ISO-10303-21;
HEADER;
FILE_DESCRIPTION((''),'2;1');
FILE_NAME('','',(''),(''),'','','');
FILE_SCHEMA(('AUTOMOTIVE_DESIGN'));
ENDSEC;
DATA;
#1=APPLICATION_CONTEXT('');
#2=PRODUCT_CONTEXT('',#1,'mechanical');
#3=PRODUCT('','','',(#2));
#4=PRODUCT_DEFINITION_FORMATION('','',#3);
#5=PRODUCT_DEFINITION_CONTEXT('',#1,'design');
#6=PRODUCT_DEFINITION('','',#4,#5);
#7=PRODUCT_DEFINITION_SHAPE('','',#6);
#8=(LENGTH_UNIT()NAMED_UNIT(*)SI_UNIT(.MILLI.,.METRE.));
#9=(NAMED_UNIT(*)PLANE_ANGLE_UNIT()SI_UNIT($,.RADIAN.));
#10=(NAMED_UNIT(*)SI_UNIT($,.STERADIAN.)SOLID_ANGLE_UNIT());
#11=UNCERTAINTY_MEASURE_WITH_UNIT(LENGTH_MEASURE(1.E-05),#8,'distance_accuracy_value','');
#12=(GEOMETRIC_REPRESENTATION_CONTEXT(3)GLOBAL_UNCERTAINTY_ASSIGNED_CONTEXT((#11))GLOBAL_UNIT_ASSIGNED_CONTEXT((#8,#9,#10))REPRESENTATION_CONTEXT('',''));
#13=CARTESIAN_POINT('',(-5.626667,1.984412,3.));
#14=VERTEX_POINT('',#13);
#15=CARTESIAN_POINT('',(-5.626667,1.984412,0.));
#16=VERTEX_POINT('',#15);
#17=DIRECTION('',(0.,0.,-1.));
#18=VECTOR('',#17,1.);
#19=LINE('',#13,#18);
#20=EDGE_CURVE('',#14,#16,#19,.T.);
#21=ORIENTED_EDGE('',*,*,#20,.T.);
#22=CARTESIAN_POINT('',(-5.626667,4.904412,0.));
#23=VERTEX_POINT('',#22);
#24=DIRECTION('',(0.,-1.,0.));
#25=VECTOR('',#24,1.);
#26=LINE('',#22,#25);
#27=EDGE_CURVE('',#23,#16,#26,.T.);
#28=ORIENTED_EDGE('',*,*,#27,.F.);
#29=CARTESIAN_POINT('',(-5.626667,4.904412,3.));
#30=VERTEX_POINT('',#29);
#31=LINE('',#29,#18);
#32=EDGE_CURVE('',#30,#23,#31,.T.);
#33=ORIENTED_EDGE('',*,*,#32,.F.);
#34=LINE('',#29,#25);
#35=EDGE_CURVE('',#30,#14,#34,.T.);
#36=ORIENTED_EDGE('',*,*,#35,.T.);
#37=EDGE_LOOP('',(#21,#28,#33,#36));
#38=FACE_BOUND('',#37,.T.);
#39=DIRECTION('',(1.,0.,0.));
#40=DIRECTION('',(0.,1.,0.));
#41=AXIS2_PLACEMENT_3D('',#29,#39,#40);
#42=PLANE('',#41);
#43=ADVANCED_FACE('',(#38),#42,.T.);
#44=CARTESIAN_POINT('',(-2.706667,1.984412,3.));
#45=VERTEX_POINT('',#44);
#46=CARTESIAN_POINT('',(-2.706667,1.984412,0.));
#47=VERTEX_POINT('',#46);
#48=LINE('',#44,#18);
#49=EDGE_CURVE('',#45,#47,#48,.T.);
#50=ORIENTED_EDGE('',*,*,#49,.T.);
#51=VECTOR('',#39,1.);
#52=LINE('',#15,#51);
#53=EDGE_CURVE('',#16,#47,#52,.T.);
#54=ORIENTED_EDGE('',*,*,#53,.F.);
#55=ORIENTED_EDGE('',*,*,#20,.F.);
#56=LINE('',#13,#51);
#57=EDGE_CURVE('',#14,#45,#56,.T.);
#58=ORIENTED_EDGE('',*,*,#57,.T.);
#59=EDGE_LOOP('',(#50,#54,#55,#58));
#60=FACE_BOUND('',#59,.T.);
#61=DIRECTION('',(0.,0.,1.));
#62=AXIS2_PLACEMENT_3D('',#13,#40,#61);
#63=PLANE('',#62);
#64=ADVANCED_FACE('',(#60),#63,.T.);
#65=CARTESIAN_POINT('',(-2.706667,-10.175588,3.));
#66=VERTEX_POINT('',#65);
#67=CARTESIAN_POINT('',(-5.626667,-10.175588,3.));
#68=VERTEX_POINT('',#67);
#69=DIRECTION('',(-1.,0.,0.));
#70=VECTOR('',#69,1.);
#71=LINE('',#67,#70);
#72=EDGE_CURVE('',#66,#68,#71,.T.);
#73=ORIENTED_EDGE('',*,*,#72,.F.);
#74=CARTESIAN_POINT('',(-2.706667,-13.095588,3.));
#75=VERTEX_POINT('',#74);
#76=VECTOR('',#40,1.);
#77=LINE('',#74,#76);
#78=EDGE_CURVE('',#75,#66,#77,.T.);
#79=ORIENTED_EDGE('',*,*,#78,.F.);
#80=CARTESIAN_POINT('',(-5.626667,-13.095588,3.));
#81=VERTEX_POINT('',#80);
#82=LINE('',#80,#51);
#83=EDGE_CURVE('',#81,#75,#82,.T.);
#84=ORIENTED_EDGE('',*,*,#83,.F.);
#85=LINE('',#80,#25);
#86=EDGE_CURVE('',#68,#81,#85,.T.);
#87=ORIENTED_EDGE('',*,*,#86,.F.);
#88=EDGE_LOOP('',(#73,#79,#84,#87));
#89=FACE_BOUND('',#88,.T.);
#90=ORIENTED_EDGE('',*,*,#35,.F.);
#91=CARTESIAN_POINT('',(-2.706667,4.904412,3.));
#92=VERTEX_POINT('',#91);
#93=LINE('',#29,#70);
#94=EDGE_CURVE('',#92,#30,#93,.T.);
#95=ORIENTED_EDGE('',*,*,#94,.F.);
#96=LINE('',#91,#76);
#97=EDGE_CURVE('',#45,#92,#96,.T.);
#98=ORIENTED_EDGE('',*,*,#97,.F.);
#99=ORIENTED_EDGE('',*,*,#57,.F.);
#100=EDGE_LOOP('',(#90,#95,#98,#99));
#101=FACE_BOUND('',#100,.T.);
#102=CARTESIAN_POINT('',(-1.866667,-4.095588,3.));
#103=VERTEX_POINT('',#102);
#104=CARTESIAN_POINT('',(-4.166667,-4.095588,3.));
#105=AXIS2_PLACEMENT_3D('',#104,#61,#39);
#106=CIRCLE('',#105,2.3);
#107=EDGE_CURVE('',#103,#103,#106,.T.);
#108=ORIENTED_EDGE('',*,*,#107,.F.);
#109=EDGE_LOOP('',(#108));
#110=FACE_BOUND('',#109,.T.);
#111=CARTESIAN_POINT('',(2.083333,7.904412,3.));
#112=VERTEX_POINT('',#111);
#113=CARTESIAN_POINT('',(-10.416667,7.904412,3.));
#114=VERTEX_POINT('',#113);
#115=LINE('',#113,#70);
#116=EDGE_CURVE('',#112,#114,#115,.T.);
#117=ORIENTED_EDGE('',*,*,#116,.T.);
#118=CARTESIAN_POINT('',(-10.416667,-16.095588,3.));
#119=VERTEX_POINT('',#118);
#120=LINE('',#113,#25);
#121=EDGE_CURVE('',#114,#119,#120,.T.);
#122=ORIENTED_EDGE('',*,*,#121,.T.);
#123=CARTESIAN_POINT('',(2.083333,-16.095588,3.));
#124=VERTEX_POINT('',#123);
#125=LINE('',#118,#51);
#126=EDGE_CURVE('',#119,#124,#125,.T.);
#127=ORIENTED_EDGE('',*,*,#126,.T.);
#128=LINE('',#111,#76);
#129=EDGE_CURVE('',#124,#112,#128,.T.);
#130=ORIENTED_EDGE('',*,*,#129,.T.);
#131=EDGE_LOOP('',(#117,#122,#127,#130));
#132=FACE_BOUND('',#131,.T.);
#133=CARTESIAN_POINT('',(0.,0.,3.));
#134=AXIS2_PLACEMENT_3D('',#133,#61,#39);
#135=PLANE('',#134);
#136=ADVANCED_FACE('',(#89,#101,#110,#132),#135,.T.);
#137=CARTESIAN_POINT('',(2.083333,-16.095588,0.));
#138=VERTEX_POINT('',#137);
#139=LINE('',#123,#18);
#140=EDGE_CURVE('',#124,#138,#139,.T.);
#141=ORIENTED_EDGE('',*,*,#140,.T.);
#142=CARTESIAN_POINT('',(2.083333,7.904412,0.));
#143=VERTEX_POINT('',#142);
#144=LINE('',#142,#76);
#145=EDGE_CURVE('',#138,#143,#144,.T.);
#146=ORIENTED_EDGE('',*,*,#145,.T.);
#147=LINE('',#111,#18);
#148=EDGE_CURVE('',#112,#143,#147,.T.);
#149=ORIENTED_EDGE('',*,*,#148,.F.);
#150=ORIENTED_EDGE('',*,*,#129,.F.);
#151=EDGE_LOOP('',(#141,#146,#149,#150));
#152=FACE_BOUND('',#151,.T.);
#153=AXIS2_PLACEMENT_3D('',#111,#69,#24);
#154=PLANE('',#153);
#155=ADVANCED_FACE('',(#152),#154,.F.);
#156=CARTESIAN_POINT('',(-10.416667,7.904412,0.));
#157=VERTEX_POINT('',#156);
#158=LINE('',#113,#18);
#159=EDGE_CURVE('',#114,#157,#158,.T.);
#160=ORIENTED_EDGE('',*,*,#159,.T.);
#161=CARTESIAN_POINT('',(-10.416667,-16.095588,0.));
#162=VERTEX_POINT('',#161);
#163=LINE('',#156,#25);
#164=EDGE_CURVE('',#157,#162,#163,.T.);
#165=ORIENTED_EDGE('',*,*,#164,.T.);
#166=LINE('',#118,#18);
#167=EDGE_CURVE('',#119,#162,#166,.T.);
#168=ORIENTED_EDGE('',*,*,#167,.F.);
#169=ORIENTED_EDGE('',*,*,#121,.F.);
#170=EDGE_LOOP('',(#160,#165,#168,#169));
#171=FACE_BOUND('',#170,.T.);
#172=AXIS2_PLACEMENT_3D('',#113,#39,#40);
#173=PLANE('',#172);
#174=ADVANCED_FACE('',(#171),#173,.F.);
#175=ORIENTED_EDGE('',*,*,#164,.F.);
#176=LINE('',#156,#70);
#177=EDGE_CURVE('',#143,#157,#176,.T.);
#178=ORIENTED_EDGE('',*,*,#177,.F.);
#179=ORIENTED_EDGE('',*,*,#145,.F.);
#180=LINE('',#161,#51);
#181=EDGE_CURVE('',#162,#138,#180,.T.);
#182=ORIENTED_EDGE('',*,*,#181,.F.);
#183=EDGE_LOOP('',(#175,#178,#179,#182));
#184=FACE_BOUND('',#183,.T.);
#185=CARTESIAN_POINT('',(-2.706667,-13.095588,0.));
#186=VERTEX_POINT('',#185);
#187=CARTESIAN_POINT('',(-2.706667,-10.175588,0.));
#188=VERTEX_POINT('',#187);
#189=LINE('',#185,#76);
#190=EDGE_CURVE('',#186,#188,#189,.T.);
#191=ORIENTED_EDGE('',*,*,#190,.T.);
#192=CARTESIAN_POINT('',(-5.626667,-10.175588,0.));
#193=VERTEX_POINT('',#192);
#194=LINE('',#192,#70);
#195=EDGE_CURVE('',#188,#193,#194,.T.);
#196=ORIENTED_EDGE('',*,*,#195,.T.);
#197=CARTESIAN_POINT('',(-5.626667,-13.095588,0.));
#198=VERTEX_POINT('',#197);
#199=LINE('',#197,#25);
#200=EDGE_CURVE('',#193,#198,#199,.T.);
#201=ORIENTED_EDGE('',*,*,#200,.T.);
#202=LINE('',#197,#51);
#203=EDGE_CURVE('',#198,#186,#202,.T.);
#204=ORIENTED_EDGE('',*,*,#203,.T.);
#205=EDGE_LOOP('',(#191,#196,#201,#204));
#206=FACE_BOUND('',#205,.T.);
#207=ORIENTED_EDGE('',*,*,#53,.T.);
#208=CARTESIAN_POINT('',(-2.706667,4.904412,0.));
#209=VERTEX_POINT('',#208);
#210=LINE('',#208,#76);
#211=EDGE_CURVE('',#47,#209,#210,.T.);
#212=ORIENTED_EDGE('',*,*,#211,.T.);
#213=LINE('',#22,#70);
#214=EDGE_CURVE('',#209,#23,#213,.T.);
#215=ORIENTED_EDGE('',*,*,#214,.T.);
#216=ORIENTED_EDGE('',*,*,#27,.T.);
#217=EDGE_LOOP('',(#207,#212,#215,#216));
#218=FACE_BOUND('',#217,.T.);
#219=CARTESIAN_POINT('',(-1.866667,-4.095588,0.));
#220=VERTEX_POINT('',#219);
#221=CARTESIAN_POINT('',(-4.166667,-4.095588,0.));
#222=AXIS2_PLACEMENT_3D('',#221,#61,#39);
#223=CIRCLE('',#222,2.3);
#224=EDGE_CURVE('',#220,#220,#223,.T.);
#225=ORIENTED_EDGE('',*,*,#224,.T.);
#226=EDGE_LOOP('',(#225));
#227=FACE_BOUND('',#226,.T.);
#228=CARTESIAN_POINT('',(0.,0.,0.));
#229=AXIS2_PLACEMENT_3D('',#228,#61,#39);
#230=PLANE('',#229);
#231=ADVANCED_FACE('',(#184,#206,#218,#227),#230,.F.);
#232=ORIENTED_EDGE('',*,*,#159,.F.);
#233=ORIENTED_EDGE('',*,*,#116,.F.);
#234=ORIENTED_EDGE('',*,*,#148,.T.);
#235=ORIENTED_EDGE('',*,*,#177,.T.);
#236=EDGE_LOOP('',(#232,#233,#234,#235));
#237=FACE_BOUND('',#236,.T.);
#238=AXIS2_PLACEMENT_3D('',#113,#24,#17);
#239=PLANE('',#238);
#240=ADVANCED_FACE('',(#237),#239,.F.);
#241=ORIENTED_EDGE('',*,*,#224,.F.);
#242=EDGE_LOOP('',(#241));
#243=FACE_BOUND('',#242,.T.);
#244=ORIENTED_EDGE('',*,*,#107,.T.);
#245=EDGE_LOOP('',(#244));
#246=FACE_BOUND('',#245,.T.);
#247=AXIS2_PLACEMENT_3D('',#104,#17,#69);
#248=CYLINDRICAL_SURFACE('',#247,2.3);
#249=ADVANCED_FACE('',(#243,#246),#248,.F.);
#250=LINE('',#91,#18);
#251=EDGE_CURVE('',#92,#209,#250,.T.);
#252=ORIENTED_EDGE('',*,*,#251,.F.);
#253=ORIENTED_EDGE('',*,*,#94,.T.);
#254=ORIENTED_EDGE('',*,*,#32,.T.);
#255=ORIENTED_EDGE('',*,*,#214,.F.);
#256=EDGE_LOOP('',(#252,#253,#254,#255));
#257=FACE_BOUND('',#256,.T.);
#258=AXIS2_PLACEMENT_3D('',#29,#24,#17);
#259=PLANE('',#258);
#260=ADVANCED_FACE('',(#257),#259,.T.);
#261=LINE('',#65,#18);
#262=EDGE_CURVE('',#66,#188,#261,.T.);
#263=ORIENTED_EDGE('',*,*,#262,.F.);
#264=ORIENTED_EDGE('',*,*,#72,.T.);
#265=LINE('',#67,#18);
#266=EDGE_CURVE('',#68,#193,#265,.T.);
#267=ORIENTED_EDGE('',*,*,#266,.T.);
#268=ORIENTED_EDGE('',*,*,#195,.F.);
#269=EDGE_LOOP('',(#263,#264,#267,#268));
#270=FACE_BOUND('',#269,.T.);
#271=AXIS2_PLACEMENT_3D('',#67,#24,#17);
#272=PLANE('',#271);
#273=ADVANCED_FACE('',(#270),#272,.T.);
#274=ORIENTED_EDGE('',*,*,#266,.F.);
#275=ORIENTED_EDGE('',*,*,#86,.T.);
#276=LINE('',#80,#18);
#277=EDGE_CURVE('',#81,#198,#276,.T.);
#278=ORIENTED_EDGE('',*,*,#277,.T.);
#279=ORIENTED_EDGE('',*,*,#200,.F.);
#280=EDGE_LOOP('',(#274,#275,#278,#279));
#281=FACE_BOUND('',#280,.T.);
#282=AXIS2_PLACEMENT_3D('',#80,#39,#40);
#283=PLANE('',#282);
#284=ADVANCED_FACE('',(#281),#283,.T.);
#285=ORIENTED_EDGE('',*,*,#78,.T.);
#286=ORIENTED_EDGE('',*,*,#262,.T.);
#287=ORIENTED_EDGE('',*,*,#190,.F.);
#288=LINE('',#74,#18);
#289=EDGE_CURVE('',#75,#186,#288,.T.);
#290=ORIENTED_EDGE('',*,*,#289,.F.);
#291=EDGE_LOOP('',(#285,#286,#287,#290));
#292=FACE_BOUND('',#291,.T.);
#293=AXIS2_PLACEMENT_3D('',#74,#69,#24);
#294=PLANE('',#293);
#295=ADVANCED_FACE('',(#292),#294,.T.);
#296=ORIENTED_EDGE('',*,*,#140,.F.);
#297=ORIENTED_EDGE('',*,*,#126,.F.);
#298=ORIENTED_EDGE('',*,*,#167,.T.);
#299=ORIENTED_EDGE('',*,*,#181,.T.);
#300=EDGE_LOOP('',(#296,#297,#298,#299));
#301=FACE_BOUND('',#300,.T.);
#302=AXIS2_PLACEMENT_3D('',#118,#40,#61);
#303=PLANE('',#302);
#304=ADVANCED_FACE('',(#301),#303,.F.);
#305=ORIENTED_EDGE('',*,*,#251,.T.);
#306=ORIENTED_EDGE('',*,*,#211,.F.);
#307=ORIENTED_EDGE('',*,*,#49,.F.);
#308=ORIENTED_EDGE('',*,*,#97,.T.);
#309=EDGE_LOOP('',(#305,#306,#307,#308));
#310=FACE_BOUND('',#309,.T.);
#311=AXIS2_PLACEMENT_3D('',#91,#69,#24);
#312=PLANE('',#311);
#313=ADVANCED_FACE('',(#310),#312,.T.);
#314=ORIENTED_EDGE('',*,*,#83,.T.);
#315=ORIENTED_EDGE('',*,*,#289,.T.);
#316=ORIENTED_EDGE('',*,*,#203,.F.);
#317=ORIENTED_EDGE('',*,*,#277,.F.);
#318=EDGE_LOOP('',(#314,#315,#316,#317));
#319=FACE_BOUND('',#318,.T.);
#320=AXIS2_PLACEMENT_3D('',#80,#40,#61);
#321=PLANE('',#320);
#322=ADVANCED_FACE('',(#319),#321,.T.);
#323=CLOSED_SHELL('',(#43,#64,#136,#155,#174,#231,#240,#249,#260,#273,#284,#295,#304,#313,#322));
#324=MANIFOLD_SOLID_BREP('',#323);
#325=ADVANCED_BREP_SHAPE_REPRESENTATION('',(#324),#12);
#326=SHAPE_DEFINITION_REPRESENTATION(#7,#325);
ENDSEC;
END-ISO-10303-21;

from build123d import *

# Parameters (mm, degrees)
SKETCH1_W           = 12.5
SKETCH1_H           = 24
SKETCH1_R           = 2.3
SKETCH1_W_2         = 2.92
SKETCH1_H_2         = 2.92
BOSS_EXTRUDE1_DEPTH = 3


with BuildPart() as part:
    # Sketch1 → Boss-Extrude1 (new body)
    with BuildSketch(Plane.XY):
        with Locations((-4.166666667, -4.095588235)):
            Rectangle(SKETCH1_W, SKETCH1_H)
        with Locations((-4.166666667, -4.095588235)):
            Circle(SKETCH1_R, mode=Mode.SUBTRACT)
        with Locations((-4.166666667, 3.444411765)):
            Rectangle(SKETCH1_W_2, SKETCH1_H_2, mode=Mode.SUBTRACT)
        with Locations((-4.166666667, -11.635588235)):
            Rectangle(SKETCH1_W_2, SKETCH1_H_2, mode=Mode.SUBTRACT)
    extrude(amount=BOSS_EXTRUDE1_DEPTH)


solid = part.part
